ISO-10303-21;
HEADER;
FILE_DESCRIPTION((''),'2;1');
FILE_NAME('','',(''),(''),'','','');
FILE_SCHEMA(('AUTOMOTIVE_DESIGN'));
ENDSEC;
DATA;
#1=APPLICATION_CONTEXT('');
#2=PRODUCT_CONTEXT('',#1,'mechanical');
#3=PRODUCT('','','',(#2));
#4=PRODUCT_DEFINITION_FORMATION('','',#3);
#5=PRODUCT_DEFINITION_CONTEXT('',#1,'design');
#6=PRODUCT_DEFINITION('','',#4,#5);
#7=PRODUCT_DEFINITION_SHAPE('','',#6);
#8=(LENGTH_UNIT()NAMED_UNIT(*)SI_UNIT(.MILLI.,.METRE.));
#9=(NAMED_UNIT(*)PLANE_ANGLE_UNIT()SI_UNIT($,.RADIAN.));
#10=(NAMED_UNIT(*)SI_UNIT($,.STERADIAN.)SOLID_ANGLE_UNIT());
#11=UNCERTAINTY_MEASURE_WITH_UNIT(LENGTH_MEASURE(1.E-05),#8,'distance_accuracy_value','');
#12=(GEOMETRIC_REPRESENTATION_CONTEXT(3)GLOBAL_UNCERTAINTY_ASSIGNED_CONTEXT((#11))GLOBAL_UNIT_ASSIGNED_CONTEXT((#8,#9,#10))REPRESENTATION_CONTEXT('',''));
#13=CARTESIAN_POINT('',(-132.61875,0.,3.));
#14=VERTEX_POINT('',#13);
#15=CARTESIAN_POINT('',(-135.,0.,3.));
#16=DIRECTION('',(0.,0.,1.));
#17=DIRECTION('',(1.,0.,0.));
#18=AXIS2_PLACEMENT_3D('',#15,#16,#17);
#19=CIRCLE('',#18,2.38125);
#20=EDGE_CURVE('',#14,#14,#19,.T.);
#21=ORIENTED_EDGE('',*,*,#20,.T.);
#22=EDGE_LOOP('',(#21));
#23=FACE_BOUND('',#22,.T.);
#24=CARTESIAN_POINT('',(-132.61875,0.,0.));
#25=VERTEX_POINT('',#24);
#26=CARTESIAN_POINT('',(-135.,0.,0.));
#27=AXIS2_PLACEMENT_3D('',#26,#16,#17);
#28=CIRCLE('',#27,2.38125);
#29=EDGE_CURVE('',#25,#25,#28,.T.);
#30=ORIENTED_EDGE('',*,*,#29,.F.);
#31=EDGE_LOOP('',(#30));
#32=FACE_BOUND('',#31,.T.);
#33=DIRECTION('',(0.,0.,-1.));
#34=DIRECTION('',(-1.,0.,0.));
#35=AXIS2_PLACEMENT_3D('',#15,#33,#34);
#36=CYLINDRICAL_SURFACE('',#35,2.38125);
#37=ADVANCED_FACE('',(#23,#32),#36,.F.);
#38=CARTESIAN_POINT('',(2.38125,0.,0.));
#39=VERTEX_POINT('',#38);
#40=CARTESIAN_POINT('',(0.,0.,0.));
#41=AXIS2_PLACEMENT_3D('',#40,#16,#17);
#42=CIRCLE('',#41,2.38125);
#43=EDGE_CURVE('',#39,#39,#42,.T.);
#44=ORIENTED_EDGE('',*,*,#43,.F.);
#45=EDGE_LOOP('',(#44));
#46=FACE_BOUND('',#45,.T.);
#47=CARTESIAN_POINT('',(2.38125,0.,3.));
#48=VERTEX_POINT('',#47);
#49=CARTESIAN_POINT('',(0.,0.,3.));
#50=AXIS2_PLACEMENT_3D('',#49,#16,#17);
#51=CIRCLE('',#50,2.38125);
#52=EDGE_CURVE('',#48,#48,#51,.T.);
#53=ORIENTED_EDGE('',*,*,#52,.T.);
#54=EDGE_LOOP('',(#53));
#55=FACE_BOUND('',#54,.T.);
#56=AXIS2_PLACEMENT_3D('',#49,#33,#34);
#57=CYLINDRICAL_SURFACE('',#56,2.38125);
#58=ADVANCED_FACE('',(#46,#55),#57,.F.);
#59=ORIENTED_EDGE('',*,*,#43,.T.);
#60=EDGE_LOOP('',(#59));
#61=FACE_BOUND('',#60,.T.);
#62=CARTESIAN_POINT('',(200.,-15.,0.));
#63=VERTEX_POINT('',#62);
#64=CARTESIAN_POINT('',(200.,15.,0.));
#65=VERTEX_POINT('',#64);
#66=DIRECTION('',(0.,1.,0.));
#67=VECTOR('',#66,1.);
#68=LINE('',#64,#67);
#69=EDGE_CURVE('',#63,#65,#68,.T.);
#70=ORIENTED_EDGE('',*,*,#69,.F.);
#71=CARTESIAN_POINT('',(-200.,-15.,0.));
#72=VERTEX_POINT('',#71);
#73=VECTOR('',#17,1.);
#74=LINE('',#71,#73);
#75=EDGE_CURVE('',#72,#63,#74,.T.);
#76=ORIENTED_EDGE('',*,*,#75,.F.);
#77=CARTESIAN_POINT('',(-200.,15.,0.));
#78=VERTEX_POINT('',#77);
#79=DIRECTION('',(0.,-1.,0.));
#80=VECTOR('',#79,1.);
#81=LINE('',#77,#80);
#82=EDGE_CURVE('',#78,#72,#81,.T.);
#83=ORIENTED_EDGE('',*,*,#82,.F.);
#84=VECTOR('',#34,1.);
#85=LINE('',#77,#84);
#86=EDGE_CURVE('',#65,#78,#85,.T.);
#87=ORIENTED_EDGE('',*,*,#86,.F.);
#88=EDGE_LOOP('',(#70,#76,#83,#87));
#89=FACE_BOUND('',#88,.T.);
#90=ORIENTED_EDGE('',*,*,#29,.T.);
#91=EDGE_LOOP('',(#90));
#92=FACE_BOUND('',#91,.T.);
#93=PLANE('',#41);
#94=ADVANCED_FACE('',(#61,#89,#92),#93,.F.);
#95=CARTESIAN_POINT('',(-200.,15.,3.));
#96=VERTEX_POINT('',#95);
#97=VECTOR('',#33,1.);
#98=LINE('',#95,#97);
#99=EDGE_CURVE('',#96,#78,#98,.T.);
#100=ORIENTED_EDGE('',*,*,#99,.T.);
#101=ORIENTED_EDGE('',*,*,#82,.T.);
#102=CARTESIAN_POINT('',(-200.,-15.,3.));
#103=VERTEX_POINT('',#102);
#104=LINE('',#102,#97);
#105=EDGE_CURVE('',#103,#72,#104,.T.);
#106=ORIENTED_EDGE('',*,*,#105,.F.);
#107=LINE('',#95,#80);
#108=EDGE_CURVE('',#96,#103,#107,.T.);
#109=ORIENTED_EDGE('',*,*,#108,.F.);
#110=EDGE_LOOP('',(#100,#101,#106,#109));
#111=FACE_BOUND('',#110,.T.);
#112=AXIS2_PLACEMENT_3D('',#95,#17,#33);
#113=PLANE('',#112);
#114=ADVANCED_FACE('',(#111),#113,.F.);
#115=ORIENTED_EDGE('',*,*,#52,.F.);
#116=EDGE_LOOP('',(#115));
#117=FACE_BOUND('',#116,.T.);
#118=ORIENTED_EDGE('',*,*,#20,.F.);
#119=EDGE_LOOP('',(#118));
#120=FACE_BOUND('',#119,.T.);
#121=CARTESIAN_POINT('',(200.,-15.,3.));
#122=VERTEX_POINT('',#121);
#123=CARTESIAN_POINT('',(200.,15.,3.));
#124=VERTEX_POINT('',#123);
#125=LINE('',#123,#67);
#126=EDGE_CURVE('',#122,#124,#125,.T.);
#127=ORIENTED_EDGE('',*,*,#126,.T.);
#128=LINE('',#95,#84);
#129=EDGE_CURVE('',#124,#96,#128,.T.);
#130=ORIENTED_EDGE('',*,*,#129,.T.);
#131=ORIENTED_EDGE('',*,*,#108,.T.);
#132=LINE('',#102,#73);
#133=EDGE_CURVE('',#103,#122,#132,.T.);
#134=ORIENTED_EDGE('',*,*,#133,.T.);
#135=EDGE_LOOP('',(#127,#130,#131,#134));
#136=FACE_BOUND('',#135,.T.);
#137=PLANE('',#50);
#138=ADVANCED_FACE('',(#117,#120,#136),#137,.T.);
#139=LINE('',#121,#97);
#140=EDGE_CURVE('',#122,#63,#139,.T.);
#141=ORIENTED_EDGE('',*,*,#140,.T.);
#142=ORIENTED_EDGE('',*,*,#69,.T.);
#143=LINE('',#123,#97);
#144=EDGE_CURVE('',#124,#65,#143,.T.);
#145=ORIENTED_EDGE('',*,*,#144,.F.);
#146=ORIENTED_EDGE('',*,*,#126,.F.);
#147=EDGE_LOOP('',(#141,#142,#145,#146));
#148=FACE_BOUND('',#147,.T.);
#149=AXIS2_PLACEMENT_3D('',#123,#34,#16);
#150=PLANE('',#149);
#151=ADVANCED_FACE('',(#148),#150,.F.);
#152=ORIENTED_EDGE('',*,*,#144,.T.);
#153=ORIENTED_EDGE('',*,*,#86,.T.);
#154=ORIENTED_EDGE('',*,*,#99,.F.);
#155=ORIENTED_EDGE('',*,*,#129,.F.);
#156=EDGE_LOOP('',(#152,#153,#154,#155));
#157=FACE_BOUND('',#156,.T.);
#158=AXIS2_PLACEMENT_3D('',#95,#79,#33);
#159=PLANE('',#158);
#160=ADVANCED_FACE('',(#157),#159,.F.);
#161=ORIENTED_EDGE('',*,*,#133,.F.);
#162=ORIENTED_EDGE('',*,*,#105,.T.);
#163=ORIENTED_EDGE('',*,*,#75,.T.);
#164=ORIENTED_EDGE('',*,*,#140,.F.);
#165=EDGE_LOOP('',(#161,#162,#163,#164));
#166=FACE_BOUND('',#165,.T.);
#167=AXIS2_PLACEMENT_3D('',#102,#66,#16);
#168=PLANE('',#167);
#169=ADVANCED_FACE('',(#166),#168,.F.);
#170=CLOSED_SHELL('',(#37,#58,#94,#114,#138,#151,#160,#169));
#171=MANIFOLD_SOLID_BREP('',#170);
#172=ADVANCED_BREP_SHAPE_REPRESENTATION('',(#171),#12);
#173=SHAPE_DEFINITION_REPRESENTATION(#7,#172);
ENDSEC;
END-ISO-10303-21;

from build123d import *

# Parameters (mm, degrees)
CROQUIS1_W              = 400
CROQUIS1_H              = 30
CROQUIS1_R              = 2.38125
SALIENTE_EXTRUIR1_DEPTH = 3
CROQUIS2_R              = 2.38125
CORTAR_EXTRUIR2_DEPTH   = 4


with BuildPart() as part:
    # Croquis1 → Saliente-Extruir1 (new body)
    with BuildSketch(Plane.XY):
        Rectangle(CROQUIS1_W, CROQUIS1_H)
        Circle(CROQUIS1_R, mode=Mode.SUBTRACT)
    extrude(amount=SALIENTE_EXTRUIR1_DEPTH)

    # Croquis2 → Cortar-Extruir2 (cut, through all)
    with BuildSketch(Plane.XY):
        with Locations((-135, 0)):
            Circle(CROQUIS2_R)
    extrude(amount=CORTAR_EXTRUIR2_DEPTH, mode=Mode.SUBTRACT)


solid = part.part
